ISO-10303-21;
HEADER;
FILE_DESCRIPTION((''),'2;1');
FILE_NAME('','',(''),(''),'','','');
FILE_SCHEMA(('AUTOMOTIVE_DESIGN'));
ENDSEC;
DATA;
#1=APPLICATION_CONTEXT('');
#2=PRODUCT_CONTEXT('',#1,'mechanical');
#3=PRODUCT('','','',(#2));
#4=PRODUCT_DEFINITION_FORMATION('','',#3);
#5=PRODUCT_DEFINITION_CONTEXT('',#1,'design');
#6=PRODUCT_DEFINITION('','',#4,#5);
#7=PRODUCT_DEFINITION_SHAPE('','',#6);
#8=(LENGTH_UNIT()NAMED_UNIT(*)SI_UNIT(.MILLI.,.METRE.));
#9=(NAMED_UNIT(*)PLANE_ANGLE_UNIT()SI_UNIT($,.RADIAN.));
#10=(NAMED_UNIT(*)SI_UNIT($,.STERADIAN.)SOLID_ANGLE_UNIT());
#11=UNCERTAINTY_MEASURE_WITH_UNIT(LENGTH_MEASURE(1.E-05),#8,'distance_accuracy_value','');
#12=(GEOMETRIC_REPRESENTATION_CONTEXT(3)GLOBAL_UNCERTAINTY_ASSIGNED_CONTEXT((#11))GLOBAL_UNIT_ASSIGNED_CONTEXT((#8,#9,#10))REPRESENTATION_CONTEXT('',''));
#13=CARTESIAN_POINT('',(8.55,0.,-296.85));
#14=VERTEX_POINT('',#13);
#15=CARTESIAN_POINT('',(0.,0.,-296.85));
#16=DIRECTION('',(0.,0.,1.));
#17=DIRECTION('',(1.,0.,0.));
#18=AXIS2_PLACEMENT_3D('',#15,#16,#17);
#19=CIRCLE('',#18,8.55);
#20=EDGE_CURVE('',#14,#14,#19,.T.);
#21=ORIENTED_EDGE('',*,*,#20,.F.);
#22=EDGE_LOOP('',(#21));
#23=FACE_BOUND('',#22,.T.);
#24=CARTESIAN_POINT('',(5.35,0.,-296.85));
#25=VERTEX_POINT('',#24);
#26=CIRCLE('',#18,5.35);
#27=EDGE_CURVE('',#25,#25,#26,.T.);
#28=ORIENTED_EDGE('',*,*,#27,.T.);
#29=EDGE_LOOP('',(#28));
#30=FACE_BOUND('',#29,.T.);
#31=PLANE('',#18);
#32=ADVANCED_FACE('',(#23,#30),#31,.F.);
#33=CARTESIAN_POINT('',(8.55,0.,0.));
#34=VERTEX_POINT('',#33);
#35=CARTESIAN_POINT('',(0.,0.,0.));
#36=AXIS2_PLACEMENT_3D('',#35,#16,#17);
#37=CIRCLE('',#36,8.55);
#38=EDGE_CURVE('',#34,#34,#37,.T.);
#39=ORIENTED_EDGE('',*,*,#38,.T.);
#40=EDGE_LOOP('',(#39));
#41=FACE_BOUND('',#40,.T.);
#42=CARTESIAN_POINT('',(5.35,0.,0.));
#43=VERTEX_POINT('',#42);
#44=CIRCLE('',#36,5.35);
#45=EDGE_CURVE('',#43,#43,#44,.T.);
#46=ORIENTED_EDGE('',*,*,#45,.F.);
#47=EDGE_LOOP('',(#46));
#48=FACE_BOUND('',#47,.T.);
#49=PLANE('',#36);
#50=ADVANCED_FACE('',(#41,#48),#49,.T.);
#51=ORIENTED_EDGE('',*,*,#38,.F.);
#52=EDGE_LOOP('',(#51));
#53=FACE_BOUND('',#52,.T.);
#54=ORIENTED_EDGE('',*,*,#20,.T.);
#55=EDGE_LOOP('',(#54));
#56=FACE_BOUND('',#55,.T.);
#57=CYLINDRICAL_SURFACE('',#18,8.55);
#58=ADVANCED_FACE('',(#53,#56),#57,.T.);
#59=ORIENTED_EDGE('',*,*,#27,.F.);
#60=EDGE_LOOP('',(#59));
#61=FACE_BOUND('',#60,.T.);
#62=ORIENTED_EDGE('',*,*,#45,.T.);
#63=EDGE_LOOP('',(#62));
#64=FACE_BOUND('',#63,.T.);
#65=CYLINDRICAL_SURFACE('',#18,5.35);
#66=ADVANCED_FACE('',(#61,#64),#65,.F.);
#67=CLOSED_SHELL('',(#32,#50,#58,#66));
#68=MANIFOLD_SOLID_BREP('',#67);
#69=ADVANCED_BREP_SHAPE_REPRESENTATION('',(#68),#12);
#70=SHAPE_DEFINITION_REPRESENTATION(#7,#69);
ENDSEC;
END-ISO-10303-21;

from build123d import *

# Parameters (mm, degrees)
SKETCH1_R           = 8.55
SKETCH1_R_2         = 5.35
BOSS_EXTRUDE1_DEPTH = 296.85


with BuildPart() as part:
    # Sketch1 → Boss-Extrude1 (new body)
    with BuildSketch(Plane.XY):
        Circle(SKETCH1_R)
        Circle(SKETCH1_R_2, mode=Mode.SUBTRACT)
    extrude(amount=-BOSS_EXTRUDE1_DEPTH)


solid = part.part
